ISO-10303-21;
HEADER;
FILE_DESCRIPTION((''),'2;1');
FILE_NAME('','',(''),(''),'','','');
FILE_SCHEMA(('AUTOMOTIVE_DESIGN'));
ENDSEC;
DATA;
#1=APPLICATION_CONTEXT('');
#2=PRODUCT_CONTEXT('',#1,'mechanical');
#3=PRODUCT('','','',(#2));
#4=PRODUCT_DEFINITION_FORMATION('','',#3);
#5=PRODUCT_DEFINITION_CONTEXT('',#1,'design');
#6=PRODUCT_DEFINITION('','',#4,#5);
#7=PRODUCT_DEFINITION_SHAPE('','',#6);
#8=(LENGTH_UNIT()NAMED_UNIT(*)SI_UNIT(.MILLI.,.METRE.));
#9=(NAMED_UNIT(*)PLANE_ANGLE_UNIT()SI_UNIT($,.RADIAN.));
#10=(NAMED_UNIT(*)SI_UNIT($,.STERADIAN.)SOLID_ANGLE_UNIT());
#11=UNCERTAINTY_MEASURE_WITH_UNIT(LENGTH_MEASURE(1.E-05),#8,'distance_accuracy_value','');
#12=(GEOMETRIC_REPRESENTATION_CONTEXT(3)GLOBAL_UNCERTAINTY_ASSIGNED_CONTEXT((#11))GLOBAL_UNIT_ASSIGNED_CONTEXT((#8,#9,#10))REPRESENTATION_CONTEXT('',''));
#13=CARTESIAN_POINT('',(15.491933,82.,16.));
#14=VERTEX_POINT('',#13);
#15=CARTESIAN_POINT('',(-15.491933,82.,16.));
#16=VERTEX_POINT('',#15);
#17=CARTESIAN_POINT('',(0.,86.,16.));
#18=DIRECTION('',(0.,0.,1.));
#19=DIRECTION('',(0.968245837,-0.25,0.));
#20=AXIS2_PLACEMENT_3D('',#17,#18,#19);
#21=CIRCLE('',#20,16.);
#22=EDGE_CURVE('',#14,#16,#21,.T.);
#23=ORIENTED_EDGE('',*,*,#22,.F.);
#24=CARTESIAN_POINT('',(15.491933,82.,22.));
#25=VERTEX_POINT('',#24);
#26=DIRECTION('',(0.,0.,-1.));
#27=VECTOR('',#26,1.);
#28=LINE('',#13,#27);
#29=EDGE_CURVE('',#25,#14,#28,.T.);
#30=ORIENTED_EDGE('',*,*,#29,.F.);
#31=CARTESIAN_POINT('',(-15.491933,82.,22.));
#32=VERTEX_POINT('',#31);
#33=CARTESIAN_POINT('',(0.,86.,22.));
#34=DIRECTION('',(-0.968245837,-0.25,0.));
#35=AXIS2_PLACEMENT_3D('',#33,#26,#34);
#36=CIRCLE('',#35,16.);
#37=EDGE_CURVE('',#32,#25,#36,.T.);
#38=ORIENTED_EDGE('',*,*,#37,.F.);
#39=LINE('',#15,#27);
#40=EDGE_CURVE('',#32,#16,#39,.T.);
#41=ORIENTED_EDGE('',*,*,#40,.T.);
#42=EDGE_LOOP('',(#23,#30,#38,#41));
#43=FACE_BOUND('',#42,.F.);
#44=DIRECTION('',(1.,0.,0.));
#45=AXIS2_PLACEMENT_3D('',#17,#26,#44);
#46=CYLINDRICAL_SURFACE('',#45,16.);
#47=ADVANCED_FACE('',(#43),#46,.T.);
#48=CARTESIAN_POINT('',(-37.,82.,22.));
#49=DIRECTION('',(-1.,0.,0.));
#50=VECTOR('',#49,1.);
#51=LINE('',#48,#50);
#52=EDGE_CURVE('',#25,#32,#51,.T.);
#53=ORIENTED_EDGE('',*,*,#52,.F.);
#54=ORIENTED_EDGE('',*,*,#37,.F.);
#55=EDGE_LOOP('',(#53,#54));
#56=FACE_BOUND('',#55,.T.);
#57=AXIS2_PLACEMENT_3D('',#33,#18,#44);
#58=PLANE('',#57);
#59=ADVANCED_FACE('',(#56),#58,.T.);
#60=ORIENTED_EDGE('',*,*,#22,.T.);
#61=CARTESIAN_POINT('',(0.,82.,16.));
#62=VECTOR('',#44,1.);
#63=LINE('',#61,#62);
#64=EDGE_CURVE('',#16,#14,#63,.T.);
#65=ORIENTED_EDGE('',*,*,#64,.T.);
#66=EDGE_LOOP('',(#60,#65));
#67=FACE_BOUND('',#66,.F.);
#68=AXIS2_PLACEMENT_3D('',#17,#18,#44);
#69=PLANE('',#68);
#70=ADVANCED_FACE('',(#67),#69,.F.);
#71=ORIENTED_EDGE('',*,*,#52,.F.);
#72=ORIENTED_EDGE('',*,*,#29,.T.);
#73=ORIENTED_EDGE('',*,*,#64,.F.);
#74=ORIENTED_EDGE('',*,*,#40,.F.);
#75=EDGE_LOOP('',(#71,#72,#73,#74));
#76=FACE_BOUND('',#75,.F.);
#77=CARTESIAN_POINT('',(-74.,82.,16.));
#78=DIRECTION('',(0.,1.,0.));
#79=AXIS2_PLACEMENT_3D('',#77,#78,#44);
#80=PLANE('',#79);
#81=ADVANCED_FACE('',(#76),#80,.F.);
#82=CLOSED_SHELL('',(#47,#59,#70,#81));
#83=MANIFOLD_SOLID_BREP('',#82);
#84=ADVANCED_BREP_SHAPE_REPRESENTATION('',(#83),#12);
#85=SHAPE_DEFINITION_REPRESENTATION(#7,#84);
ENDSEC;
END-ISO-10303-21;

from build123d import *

# Parameters (mm, degrees)
BOX251_W          = 148
BOX251_H          = 40
BOX251_DEPTH      = 40
CYLINDER674_R     = 16
CYLINDER674_DEPTH = 6


with BuildPart() as krychle251:
    # Box251 → Box251 (new body)
    with BuildSketch(Plane(origin=(-74, 42, 16), x_dir=(1, 0, 0), z_dir=(0, 0, 1))):
        with Locations((74, 20)):
            Rectangle(BOX251_W, BOX251_H)
    extrude(amount=BOX251_DEPTH)


with BuildPart() as cut268:
    # Cylinder674 → Cylinder674 (new body)
    with BuildSketch(Plane(origin=(0, 86, 16), x_dir=(1, 0, 0), z_dir=(0, 0, 1))):
        Circle(CYLINDER674_R)
    extrude(amount=CYLINDER674_DEPTH)

    # Cut268: cut Krychle251
    add(krychle251.part, mode=Mode.SUBTRACT)


solid = cut268.part
